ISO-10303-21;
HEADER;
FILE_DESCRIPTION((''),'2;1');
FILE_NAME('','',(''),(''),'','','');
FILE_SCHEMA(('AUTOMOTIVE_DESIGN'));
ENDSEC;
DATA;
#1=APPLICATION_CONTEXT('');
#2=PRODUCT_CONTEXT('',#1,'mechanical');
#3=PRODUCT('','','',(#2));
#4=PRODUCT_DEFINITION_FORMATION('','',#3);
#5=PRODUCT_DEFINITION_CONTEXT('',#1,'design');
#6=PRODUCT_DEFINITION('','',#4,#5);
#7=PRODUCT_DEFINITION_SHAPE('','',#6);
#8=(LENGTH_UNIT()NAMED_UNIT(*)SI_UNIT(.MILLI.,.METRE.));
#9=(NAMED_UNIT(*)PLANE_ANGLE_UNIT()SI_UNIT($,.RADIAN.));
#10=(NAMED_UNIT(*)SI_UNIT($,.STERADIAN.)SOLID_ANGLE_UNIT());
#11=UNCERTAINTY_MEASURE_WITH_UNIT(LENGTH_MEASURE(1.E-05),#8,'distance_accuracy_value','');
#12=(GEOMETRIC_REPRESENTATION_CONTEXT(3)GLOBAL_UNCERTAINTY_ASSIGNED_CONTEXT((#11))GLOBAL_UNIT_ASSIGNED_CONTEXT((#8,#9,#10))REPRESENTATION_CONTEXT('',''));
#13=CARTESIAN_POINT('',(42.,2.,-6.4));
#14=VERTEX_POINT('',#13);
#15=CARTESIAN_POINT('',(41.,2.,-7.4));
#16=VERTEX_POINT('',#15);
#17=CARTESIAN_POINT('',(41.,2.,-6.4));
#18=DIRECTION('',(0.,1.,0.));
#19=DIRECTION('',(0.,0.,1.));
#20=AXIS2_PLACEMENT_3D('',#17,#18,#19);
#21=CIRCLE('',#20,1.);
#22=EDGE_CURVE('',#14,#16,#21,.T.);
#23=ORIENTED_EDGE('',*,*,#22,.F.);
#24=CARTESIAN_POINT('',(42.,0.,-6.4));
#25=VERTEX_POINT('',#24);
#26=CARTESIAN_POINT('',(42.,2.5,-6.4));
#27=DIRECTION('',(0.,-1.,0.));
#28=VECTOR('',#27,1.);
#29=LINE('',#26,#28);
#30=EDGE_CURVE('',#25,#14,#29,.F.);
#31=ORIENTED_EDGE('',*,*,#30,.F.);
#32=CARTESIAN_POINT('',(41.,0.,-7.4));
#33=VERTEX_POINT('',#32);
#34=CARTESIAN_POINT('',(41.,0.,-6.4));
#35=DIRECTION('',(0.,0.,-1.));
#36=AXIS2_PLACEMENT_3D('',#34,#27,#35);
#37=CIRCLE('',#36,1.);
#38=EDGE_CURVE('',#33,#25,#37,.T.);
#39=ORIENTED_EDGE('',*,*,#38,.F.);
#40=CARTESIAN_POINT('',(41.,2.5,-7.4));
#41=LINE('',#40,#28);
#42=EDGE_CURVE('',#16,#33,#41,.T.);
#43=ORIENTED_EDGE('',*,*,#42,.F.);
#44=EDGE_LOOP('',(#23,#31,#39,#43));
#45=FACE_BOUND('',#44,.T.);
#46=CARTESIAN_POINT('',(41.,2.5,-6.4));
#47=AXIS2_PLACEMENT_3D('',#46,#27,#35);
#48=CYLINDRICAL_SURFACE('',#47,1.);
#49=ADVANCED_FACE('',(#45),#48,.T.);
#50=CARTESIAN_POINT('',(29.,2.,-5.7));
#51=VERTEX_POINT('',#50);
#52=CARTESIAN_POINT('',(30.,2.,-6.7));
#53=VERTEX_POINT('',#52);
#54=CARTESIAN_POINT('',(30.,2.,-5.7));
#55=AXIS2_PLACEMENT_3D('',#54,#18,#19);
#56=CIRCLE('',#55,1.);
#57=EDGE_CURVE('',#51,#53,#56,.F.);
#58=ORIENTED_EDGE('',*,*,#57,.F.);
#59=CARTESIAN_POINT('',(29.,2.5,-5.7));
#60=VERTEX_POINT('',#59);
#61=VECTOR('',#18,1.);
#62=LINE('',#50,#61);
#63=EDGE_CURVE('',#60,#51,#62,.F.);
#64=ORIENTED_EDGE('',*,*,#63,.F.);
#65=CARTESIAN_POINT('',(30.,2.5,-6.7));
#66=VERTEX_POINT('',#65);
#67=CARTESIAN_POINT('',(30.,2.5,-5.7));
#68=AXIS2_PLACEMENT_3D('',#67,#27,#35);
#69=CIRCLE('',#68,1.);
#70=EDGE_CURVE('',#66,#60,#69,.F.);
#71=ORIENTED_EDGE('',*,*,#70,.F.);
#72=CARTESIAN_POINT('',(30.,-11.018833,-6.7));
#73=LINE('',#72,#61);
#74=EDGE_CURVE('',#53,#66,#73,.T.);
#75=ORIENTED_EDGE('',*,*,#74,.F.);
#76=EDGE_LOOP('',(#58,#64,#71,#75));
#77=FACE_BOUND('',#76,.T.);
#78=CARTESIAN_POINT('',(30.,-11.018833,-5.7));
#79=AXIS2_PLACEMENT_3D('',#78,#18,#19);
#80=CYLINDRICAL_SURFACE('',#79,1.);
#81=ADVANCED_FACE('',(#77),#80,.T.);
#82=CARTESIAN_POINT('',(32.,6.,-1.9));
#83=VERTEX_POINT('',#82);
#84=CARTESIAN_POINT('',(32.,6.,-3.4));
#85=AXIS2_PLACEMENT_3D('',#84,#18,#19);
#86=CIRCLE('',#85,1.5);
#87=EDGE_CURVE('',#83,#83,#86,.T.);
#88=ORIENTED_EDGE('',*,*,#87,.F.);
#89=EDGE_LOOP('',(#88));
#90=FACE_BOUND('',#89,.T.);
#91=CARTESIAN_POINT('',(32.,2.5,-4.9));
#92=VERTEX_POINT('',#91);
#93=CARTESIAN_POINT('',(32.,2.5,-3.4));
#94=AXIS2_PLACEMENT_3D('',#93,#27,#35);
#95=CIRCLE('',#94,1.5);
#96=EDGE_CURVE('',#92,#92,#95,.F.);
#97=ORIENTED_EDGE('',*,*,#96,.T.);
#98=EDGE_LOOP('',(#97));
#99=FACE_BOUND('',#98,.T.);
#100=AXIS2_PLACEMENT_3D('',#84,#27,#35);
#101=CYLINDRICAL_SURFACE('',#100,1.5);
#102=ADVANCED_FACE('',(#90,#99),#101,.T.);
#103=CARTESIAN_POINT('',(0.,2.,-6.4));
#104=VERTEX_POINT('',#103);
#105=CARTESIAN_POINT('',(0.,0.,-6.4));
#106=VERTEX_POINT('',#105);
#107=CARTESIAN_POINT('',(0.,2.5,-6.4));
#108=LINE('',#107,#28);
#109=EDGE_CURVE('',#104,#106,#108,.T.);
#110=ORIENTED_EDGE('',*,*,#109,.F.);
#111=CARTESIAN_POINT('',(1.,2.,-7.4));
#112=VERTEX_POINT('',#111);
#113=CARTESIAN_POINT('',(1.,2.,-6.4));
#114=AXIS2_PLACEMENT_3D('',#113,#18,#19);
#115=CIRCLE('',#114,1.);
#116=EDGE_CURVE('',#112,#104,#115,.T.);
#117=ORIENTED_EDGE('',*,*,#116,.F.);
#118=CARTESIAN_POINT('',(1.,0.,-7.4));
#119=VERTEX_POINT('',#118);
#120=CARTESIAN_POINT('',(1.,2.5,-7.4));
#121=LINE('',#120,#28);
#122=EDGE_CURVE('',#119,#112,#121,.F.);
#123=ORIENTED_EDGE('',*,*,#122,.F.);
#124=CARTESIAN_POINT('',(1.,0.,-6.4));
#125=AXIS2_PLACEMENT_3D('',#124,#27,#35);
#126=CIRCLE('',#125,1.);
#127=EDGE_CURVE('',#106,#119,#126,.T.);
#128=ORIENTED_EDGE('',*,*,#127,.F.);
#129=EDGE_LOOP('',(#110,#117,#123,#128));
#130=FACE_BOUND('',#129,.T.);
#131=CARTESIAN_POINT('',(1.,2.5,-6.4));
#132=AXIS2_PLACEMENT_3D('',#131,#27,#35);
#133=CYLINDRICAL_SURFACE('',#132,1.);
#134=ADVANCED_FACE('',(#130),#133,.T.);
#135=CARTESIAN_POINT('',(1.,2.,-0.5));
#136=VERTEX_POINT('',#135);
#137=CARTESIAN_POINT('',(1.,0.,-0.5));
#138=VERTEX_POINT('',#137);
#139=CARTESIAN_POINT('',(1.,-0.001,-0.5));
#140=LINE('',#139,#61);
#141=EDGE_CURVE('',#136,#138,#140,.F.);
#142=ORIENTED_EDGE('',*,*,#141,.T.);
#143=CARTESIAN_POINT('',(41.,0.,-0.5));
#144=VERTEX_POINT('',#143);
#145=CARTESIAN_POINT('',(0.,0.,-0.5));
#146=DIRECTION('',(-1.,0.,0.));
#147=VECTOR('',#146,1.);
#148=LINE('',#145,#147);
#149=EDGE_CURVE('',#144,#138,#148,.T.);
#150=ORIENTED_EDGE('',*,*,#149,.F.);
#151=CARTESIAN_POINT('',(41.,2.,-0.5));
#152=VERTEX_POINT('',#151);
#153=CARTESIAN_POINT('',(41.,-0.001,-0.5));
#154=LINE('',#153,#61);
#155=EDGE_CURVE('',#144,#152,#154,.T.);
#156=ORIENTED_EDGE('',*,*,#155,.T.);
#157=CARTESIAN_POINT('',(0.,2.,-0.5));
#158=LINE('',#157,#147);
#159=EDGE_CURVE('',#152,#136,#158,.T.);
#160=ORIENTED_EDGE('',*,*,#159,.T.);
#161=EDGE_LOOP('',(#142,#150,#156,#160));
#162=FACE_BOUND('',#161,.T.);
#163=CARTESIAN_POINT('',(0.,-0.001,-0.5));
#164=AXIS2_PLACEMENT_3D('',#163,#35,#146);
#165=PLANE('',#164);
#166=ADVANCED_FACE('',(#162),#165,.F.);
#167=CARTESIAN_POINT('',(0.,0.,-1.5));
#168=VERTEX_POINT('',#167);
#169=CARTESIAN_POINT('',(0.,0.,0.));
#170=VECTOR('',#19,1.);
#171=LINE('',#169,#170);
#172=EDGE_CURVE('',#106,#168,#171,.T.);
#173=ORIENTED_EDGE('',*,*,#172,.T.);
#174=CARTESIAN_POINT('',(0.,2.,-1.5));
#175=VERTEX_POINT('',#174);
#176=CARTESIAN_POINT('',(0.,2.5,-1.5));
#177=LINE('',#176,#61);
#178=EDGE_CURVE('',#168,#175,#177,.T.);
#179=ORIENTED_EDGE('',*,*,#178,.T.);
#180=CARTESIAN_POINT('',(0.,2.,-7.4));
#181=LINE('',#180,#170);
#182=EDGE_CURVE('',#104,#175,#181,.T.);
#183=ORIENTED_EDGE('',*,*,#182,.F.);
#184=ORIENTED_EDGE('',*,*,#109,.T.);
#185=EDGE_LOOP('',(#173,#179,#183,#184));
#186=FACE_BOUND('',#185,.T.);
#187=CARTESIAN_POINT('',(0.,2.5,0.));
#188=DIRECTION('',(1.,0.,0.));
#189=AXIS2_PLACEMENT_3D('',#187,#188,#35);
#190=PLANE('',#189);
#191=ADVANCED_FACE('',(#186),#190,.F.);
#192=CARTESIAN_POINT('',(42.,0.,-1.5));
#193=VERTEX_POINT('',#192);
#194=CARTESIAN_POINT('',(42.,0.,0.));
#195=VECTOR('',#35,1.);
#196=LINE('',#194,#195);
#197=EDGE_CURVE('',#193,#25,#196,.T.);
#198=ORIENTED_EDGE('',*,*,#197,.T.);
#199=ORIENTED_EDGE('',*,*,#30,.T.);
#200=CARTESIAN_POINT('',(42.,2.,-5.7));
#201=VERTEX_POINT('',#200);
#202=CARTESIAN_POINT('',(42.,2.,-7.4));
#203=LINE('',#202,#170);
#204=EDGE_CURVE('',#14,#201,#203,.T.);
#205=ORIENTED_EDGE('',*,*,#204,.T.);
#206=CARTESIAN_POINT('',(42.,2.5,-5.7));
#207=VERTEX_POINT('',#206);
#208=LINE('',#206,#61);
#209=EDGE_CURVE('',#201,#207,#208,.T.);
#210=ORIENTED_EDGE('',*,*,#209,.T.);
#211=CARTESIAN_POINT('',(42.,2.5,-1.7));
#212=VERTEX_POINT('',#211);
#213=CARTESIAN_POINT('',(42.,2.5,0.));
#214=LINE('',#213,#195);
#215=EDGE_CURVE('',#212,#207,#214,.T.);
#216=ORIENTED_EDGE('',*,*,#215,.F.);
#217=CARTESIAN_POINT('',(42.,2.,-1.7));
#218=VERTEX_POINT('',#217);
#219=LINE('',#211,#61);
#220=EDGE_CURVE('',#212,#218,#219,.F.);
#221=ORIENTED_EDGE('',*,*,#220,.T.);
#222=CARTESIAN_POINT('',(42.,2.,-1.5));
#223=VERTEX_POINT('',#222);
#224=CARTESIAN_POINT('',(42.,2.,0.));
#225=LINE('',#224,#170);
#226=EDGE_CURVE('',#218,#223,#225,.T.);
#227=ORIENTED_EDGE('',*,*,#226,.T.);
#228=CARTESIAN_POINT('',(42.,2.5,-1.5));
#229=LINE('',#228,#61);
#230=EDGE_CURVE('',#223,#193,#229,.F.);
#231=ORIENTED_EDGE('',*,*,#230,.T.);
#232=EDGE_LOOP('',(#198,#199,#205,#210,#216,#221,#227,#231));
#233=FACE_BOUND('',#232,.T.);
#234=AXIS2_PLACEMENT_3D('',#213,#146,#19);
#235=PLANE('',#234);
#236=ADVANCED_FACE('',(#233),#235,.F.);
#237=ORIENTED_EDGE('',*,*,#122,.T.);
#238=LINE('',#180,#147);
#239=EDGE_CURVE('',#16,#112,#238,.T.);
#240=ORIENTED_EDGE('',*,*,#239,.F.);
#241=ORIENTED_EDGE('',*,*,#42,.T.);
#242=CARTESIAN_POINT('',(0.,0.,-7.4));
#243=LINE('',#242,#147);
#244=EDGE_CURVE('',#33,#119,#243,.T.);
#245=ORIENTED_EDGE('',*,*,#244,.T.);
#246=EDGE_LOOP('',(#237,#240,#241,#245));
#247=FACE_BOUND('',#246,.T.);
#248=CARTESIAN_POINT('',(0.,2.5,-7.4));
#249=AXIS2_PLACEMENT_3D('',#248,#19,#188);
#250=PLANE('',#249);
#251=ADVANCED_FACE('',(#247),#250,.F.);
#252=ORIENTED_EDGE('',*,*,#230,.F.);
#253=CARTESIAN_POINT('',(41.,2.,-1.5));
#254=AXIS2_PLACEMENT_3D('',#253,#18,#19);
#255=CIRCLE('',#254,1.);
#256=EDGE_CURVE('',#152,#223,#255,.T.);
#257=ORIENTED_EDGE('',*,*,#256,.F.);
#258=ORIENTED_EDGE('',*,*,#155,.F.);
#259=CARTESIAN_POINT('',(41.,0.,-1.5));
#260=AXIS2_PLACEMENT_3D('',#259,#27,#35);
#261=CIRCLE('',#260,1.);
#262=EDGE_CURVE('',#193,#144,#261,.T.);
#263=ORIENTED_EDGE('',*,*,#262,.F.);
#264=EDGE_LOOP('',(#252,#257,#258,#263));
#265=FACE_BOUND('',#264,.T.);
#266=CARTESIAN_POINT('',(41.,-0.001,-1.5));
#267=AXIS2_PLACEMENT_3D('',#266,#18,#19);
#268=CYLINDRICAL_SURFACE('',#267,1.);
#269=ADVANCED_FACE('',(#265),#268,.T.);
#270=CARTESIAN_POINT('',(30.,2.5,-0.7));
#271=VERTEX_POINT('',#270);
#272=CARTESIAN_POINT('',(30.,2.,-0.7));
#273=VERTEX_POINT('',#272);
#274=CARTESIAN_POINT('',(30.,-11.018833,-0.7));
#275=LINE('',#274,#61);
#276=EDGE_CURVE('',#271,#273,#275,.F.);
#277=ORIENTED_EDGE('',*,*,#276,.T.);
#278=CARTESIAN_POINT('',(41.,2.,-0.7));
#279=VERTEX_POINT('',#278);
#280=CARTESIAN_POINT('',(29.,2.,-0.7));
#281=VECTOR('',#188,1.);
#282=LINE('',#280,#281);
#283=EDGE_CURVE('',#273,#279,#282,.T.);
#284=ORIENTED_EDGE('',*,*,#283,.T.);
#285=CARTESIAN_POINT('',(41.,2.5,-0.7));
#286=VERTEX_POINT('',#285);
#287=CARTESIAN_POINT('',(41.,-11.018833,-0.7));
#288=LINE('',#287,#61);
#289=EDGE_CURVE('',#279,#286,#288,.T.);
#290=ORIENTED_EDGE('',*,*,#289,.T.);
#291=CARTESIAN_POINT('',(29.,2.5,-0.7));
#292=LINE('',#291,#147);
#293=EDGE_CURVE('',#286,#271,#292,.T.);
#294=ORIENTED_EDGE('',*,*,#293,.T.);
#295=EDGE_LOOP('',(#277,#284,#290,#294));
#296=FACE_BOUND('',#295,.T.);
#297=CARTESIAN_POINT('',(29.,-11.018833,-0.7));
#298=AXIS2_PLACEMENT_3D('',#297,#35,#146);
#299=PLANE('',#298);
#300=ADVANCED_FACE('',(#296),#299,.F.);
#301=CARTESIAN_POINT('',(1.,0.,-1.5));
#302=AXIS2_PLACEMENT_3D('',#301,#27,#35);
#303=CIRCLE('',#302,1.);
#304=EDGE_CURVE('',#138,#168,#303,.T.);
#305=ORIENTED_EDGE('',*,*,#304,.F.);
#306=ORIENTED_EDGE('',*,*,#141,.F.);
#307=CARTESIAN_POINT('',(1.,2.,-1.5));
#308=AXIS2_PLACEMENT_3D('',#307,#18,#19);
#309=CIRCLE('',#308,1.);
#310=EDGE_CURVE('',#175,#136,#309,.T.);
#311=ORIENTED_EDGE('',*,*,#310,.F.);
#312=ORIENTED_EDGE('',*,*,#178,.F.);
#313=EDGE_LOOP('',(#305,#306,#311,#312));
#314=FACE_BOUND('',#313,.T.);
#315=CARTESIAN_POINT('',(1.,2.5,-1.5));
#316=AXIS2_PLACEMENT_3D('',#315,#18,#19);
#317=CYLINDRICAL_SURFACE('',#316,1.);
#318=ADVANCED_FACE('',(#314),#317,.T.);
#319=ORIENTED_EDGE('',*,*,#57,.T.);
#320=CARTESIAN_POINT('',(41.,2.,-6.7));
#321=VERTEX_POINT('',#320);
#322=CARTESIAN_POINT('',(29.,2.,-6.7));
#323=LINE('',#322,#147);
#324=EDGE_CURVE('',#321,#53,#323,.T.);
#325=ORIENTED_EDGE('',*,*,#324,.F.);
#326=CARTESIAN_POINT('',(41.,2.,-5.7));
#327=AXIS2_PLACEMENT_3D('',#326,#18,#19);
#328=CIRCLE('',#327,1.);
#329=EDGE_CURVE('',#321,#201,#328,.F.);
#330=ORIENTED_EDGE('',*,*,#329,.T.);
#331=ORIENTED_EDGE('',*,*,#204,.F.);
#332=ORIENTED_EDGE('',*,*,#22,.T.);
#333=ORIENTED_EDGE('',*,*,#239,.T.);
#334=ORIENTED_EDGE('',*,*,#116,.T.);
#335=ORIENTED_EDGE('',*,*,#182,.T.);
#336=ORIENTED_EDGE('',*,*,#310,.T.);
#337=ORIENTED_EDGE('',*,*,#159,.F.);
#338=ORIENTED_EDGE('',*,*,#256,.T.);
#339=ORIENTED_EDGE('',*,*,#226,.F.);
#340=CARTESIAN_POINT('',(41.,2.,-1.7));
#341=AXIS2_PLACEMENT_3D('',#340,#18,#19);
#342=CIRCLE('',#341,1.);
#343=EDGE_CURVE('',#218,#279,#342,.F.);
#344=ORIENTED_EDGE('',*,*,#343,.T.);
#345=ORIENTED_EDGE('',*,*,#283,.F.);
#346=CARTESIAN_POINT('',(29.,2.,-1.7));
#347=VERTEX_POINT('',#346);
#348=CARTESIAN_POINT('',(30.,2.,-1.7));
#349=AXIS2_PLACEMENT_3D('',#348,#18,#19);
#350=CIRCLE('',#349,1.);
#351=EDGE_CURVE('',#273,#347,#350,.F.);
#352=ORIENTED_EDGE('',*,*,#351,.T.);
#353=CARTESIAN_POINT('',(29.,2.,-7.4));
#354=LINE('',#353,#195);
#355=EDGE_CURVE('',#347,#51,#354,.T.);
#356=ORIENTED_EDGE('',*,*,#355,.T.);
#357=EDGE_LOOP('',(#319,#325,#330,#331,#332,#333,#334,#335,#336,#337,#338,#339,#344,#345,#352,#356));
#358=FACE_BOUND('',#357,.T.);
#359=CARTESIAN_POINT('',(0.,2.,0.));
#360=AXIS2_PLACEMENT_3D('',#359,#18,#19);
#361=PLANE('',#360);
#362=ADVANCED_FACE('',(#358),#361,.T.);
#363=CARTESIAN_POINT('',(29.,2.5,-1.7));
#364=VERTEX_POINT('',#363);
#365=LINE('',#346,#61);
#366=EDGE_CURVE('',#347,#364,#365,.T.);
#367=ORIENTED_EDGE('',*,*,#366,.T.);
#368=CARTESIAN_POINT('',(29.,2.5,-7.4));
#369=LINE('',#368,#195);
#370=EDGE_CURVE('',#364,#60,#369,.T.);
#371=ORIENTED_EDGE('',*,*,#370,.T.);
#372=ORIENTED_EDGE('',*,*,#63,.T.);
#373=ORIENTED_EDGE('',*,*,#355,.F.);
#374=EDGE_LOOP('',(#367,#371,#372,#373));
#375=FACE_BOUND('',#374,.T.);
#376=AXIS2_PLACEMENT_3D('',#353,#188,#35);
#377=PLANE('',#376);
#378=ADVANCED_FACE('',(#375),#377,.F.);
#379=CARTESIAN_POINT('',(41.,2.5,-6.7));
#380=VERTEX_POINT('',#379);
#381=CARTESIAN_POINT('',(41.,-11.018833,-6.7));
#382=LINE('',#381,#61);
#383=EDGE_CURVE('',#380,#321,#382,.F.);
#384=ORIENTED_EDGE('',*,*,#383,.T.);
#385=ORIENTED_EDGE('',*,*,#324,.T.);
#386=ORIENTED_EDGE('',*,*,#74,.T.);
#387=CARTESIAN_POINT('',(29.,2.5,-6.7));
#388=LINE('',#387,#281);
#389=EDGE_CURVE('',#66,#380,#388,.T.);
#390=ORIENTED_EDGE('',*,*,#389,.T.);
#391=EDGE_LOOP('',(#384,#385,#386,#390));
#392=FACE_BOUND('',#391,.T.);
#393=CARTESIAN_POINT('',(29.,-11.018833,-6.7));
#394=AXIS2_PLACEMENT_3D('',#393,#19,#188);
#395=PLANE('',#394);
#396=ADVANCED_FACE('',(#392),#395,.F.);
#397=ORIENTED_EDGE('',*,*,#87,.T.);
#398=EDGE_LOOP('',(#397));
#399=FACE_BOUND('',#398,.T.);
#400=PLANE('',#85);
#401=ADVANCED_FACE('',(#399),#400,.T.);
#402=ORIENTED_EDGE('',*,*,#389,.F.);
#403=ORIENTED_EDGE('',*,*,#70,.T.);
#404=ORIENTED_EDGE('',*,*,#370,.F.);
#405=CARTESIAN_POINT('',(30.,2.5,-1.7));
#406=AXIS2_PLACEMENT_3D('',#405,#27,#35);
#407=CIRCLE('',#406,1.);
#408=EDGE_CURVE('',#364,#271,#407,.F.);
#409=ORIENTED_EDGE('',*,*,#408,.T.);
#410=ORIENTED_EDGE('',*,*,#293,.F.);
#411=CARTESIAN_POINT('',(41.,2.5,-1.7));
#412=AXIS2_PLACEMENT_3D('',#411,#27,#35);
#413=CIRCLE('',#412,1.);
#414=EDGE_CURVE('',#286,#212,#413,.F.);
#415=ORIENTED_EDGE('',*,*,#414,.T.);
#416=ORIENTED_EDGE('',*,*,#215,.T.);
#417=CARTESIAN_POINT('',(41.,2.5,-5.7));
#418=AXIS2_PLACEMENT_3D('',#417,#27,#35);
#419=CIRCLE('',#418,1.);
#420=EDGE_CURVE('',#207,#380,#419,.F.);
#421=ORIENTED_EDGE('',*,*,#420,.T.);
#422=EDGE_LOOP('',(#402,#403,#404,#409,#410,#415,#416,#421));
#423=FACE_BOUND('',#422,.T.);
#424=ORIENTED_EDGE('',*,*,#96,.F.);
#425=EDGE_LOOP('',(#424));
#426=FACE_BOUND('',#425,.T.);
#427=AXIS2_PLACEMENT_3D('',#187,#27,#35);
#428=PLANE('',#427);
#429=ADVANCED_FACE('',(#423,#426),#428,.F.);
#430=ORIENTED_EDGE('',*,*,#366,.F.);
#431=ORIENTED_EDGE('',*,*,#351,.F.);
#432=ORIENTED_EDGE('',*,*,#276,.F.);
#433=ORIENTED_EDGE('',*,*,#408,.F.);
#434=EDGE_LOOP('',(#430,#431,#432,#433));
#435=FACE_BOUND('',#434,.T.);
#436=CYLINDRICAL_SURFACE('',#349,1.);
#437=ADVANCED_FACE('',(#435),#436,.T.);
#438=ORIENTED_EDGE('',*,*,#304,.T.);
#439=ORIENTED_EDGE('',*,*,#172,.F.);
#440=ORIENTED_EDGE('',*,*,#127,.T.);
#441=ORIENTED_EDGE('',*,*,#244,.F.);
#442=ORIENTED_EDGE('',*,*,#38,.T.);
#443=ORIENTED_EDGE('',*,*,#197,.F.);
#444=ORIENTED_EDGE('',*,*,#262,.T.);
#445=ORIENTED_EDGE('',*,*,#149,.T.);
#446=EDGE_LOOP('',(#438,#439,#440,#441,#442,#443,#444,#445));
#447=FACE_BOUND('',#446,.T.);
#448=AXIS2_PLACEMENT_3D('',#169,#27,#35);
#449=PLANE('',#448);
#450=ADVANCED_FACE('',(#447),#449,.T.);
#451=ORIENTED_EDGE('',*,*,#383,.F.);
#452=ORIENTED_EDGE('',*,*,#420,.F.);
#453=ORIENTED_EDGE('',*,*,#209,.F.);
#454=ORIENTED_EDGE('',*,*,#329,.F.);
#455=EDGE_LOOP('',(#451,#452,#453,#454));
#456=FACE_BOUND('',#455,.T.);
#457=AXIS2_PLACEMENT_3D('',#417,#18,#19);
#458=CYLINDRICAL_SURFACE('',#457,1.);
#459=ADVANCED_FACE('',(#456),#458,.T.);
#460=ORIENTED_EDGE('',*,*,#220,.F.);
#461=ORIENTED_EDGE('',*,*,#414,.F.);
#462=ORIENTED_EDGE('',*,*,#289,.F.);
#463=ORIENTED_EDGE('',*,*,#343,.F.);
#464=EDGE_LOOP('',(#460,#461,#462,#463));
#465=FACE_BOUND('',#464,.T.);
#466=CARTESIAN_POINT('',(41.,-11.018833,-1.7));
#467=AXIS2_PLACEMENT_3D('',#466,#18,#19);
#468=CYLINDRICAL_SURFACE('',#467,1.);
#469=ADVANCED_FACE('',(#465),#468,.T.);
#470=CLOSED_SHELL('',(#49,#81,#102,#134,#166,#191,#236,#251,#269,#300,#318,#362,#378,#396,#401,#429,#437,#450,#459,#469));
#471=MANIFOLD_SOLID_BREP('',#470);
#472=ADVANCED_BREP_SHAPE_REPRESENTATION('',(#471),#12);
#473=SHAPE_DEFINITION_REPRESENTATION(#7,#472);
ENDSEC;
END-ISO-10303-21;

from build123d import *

# Parameters (mm, degrees)
SKETCH_1_W          = 42
SKETCH_1_H          = 7.4
EXTRUDE_1_DEPTH     = 2.5
SKETCH_2_R          = 1.5
EXTRUDE_2_DEPTH     = 3.5
SKETCH_3_W          = 29
SKETCH_3_H          = 7.4
CUT_EXTRUDE_1_DEPTH = 0.5
SKETCH_4_W          = 13
SKETCH_4_H          = 0.7
CUT_EXTRUDE_2_DEPTH = 0.5
CUT_EXTRUDE_3_REACH = 44.834
SKETCH_5_W          = 42
SKETCH_5_H          = 0.5
FILLET_1_R          = 1
FILLET_2_R          = 1


with BuildPart() as part:
    # 草图1 → 凸台-拉伸1 (new body)
    with BuildSketch(Plane(origin=(0, 0, 0), x_dir=(1, 0, 0), z_dir=(0, 1, 0))):
        with Locations((21, 3.7)):
            Rectangle(SKETCH_1_W, SKETCH_1_H)
    extrude(amount=EXTRUDE_1_DEPTH)

    # 草图2 → 凸台-拉伸2 (add)
    with BuildSketch(Plane(origin=(0, 2.5, 0), x_dir=(1, 0, 0), z_dir=(0, 1, 0))):
        with Locations(Location((32, 3.4, 0), (0, 0, 90))):
            Circle(SKETCH_2_R)
    extrude(amount=EXTRUDE_2_DEPTH)

    # 草图3 → 切除-拉伸1 (cut)
    with BuildSketch(Plane(origin=(0, 2.5, 0), x_dir=(1, 0, 0), z_dir=(0, 1, 0))):
        with Locations((14.5, 3.7)):
            Rectangle(SKETCH_3_W, SKETCH_3_H)
    extrude(amount=-CUT_EXTRUDE_1_DEPTH, mode=Mode.SUBTRACT)

    # 草图4 → 切除-拉伸2 (cut)
    with BuildSketch(Plane(origin=(0, 2.5, 0), x_dir=(1, 0, 0), z_dir=(0, 1, 0))):
        with Locations((35.5, 7.05)):
            Rectangle(SKETCH_4_W, SKETCH_4_H)
        with Locations((35.5, 0.35)):
            Rectangle(SKETCH_4_W, SKETCH_4_H)
    extrude(amount=-CUT_EXTRUDE_2_DEPTH, mode=Mode.SUBTRACT)

    # 草图5 → 切除-拉伸3 (cut, up to next)
    with BuildSketch(Plane(origin=(0, 2, 0), x_dir=(1, 0, 0), z_dir=(0, 1, 0)), mode=Mode.PRIVATE) as cut_extrude_3_sk1:
        with Locations((21, 0.25)):
            Rectangle(SKETCH_5_W, SKETCH_5_H)
    cut_extrude_3_tool1 = extrude(cut_extrude_3_sk1.sketch, amount=-CUT_EXTRUDE_3_REACH, mode=Mode.PRIVATE) & part.part
    add(cut_extrude_3_tool1.solids().sort_by_distance((21, 2, -0.25))[0], mode=Mode.SUBTRACT)

    # 圆角1
    fillet_1_edges = [part.edges().sort_by_distance(p)[0] for p in [
        (0, 1, -7.4),
        (29, 2.25, -6.7),
        (42, 2.25, -6.7),
        (29, 2.25, -0.7),
        (42, 2.25, -0.7),
        (0, 1, -0.5),
    ]]
    fillet(fillet_1_edges, radius=FILLET_1_R)

    # 圆角2
    fillet_2_edges = [part.edges().sort_by_distance(p)[0] for p in [
        (42, 1, -7.4),
        (42, 1, -0.5),
    ]]
    fillet(fillet_2_edges, radius=FILLET_2_R)


solid = part.part
